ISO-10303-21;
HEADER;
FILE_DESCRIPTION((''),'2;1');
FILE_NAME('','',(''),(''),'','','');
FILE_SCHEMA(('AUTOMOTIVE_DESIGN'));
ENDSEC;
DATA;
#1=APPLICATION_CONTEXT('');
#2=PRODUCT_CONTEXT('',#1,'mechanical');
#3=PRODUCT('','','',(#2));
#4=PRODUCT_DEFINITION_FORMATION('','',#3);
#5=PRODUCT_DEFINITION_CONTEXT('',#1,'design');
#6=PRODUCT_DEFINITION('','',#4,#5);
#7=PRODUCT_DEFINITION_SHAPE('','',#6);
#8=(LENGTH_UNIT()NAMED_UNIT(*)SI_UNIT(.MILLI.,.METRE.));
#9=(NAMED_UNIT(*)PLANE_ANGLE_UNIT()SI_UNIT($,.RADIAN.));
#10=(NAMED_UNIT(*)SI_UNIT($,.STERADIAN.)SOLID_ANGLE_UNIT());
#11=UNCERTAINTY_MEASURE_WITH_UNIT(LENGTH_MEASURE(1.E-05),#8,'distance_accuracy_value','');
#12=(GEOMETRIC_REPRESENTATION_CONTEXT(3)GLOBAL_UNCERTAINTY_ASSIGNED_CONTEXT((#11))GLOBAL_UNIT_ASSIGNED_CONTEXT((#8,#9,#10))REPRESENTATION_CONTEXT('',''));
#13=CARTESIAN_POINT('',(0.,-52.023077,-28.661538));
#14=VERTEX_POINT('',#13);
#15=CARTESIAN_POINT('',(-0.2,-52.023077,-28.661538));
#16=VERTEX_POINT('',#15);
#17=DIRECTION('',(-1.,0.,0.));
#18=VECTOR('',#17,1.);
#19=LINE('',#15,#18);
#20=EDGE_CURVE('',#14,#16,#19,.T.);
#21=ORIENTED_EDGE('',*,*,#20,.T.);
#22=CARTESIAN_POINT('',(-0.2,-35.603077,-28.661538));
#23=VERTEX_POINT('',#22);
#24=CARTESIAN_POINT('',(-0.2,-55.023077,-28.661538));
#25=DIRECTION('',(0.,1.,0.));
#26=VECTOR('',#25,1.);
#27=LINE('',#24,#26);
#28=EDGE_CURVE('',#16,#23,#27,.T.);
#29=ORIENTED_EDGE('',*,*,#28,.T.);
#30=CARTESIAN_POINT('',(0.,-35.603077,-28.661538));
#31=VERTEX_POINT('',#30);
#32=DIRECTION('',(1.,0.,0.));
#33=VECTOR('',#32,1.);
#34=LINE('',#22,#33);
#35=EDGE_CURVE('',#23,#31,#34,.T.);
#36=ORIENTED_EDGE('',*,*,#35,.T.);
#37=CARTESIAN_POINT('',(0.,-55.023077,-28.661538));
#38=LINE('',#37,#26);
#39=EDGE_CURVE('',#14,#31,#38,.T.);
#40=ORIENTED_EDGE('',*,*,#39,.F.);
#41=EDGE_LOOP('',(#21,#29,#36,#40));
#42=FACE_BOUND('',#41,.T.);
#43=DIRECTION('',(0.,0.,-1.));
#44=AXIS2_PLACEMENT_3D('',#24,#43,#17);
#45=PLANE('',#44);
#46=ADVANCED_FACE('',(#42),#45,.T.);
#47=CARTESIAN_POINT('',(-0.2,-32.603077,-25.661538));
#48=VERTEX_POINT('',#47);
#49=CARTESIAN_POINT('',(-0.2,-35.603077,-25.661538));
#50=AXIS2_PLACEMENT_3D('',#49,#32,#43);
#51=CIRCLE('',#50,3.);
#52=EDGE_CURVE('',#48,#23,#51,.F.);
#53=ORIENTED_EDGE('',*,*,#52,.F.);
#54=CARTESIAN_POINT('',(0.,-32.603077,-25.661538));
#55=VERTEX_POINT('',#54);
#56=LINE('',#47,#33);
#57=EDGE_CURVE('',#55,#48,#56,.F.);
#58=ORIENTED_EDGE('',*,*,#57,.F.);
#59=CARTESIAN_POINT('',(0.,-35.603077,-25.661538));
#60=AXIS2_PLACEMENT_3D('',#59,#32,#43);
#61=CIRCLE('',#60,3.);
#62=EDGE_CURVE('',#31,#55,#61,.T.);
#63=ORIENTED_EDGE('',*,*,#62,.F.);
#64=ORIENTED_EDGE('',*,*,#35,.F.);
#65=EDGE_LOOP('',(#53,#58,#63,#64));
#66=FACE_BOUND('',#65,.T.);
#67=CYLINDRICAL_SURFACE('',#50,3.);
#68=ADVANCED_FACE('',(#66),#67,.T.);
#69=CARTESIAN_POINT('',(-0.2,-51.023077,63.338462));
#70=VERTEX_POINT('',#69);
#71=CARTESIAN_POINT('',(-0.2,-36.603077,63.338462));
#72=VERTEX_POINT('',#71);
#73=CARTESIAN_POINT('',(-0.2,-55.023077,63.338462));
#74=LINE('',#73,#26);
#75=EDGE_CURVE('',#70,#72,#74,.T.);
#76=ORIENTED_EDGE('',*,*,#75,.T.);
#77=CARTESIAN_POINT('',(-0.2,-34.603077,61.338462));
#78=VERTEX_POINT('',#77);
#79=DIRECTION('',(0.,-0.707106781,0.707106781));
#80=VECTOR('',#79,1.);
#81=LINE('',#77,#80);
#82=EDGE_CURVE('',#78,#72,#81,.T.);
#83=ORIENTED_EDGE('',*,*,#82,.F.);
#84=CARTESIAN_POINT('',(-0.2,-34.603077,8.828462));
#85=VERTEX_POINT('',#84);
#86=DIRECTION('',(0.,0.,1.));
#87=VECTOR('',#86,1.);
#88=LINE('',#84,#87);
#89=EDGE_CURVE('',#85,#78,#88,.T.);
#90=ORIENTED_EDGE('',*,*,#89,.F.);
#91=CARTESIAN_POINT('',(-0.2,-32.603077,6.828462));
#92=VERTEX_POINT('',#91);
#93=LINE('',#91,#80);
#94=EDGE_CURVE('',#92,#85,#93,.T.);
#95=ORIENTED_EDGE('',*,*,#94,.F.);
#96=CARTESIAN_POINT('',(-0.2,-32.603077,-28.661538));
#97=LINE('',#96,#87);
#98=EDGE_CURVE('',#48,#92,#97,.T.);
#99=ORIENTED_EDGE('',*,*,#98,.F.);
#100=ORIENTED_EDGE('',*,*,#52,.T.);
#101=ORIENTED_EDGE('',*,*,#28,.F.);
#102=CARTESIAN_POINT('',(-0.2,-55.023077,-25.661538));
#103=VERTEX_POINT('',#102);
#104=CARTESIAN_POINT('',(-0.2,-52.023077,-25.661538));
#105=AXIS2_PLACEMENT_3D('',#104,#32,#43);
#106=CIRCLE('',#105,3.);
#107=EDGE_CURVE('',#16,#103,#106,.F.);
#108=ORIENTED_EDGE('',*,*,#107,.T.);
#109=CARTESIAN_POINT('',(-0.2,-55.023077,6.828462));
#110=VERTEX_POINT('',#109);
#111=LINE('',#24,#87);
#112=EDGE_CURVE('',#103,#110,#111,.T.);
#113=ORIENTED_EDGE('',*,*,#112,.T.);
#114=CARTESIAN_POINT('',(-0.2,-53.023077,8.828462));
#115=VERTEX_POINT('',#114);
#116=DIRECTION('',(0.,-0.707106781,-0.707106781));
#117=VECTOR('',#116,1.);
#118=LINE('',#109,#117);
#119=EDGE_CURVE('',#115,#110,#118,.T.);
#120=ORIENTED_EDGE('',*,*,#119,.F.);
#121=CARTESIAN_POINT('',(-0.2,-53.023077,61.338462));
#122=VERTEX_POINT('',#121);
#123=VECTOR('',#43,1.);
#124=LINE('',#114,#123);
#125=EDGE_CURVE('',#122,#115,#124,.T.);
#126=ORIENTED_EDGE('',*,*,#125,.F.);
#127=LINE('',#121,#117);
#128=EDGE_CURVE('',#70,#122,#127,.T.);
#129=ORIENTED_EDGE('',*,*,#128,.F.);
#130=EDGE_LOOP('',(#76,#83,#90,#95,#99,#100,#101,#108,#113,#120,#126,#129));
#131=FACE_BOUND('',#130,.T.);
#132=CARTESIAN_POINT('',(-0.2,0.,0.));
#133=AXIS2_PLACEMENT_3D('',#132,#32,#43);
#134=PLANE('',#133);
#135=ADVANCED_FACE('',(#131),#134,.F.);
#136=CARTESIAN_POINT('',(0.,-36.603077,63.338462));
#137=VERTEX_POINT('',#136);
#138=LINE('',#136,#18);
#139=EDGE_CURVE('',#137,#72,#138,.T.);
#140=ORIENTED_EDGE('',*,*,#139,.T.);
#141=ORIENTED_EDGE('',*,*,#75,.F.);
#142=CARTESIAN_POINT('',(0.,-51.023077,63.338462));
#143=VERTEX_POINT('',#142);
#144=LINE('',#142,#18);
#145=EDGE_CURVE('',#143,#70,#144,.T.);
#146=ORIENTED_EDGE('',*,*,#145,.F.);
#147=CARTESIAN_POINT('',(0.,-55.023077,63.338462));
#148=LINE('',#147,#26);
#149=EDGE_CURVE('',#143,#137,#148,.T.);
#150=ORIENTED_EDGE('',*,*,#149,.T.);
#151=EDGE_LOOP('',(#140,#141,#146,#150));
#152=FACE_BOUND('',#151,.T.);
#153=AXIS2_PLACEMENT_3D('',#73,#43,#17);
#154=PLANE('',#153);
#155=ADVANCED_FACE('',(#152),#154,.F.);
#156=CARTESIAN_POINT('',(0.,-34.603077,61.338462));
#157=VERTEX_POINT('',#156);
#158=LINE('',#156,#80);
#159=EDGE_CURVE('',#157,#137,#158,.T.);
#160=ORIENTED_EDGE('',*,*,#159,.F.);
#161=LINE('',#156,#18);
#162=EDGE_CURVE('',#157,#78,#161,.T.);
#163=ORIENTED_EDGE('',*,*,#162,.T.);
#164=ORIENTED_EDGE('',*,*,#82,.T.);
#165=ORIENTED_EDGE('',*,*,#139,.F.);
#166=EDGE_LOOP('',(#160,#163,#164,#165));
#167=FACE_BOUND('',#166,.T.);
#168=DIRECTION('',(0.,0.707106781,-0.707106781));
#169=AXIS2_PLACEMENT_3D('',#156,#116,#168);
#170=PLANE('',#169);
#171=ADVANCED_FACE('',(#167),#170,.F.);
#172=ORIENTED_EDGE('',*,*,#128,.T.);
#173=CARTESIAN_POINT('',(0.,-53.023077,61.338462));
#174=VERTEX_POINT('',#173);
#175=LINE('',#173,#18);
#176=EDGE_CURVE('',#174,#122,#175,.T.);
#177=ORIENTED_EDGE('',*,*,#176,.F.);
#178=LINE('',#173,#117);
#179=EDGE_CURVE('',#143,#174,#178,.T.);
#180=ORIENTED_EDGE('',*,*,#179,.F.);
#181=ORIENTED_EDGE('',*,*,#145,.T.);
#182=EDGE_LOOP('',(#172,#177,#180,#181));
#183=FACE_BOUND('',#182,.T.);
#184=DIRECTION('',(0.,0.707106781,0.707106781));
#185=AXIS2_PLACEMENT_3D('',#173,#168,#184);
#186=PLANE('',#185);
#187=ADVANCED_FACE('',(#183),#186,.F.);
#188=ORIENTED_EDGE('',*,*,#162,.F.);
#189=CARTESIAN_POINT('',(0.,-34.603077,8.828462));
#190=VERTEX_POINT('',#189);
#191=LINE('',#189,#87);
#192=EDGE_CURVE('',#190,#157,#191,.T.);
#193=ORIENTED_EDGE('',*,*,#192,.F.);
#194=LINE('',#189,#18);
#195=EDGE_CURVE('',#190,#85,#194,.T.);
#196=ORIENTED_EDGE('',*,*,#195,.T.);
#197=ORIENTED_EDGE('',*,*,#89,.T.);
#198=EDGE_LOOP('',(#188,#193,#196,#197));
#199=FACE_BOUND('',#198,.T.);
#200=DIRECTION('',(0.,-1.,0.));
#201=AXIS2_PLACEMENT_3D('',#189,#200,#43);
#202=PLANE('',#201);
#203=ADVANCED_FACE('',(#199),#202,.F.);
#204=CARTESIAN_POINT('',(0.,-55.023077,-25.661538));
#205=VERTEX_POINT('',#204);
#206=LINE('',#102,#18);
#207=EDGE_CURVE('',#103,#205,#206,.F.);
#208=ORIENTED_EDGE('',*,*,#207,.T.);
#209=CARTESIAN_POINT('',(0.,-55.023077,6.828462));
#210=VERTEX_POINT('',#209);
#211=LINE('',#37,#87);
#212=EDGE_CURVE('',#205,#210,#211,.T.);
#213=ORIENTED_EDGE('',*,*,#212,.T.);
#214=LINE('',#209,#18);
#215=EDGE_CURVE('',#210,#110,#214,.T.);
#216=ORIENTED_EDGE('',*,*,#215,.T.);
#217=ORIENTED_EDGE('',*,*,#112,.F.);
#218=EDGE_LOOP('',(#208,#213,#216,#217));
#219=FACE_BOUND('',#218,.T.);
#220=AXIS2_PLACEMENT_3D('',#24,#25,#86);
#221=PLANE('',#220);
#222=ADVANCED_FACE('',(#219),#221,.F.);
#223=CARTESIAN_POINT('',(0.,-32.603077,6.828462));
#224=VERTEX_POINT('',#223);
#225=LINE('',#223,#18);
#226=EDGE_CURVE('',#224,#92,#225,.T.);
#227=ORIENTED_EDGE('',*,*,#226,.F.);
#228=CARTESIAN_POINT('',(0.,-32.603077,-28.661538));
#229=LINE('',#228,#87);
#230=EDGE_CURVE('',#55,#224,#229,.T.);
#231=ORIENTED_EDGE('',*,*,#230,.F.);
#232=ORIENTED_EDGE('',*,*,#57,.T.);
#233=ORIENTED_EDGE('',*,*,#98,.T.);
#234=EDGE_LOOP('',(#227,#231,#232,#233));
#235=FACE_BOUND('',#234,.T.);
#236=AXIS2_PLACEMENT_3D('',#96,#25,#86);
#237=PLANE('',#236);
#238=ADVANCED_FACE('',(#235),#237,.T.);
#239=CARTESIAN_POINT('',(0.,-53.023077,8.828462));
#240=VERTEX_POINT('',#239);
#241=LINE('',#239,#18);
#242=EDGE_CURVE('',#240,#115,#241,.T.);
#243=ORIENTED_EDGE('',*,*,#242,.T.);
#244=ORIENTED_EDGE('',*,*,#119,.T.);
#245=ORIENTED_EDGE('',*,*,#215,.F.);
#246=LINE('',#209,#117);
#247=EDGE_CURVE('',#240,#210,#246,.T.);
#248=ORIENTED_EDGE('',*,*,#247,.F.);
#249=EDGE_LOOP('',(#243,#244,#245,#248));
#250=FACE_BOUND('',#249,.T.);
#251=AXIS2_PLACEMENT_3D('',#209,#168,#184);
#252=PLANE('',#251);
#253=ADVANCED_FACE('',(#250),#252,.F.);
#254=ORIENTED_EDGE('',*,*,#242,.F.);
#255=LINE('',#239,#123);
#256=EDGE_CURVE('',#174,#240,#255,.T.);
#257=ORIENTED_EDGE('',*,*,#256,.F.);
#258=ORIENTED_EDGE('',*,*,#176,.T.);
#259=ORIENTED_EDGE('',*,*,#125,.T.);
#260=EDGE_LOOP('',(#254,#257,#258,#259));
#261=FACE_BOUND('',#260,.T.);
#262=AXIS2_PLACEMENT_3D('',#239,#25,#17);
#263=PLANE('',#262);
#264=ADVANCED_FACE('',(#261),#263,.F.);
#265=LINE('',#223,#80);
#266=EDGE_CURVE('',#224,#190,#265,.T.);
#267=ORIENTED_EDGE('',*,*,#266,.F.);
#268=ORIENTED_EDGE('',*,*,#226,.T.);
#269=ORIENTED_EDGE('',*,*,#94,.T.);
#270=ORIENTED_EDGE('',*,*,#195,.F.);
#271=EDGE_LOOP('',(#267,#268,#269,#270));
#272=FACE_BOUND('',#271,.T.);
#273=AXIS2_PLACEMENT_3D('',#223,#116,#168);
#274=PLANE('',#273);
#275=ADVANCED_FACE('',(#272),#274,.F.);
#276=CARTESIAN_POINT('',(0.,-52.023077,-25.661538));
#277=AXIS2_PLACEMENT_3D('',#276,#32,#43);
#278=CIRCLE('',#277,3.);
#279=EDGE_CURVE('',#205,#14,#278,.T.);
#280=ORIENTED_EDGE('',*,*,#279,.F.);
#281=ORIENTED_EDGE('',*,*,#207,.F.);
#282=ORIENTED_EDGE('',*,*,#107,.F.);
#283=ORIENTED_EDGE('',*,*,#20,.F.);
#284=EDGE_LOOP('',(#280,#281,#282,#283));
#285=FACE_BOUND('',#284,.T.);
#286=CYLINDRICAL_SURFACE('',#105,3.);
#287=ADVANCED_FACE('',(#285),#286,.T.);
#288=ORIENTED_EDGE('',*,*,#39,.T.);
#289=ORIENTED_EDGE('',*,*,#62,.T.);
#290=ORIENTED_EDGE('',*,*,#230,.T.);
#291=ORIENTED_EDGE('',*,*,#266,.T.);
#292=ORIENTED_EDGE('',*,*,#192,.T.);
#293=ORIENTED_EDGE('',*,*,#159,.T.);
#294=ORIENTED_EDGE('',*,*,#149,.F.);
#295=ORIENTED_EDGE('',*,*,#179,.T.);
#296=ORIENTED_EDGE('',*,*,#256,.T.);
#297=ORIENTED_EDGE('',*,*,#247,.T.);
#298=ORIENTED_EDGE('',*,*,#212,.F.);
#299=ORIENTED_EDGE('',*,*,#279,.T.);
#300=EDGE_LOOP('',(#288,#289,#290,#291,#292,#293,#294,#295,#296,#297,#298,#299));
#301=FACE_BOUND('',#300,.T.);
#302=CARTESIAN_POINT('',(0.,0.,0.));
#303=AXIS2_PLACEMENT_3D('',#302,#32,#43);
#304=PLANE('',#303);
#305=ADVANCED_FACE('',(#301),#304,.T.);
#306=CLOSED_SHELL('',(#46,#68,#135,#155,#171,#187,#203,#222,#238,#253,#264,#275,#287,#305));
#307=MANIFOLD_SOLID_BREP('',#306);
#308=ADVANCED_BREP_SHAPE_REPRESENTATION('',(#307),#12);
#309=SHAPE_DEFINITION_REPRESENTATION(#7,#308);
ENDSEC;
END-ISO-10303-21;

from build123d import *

# Parameters (mm, degrees)
SKETCH2_W           = 22.42
SKETCH2_H           = 92
BOSS_EXTRUDE2_DEPTH = 0.2
FILLET4_R           = 3
FILLET7_R           = 3
SKETCH4_W           = 2
SKETCH4_H           = 54.51
CUT_EXTRUDE1_DEPTH  = 0.2
SKETCH5_W           = 2
SKETCH5_H           = 54.51
CUT_EXTRUDE2_DEPTH  = 0.2
CUT_EXTRUDE3_DEPTH  = 0.2
CUT_EXTRUDE4_DEPTH  = 0.2
CUT_EXTRUDE7_DEPTH  = 0.2
CUT_EXTRUDE8_DEPTH  = 0.2


with BuildPart() as part:
    # Sketch2 → Boss-Extrude2 (new body)
    with BuildSketch(Plane(origin=(0, 0, 0), x_dir=(0, 1, 0), z_dir=(-1, 0, 0))):
        with Locations((-43.813076923, -17.338461538)):
            Rectangle(SKETCH2_W, SKETCH2_H)
    extrude(amount=BOSS_EXTRUDE2_DEPTH)

    # Fillet4
    fillet4_edges = [part.edges().sort_by_distance(p)[0] for p in [
        (-0.1, -55.023076923, -28.661538462),
    ]]
    fillet(fillet4_edges, radius=FILLET4_R)

    # Fillet7
    fillet7_edges = [part.edges().sort_by_distance(p)[0] for p in [
        (-0.1, -32.603076923, -28.661538462),
    ]]
    fillet(fillet7_edges, radius=FILLET7_R)

    # Sketch4 → Cut-Extrude1 (cut)
    with BuildSketch(Plane(origin=(-0.2, 0, 0), x_dir=(0, 1, 0), z_dir=(-1, 0, 0))):
        with Locations((-54.023076923, -36.083461538)):
            Rectangle(SKETCH4_W, SKETCH4_H)
    extrude(amount=-CUT_EXTRUDE1_DEPTH, mode=Mode.SUBTRACT)

    # Sketch5 → Cut-Extrude2 (cut)
    with BuildSketch(Plane(origin=(-0.2, 0, 0), x_dir=(0, 1, 0), z_dir=(-1, 0, 0))):
        with Locations((-33.603076923, -36.083461538)):
            Rectangle(SKETCH5_W, SKETCH5_H)
    extrude(amount=-CUT_EXTRUDE2_DEPTH, mode=Mode.SUBTRACT)

    # Sketch6 → Cut-Extrude3 (cut)
    with BuildSketch(Plane(origin=(-0.2, 0, 0), x_dir=(0, 1, 0), z_dir=(-1, 0, 0))):
        Polygon((-53.023076923, -63.338461538), (-53.023076923, -61.338461538), (-51.023076923, -63.338461538), align=None)
    extrude(amount=-CUT_EXTRUDE3_DEPTH, mode=Mode.SUBTRACT)

    # Sketch7 → Cut-Extrude4 (cut)
    with BuildSketch(Plane(origin=(-0.2, 0, 0), x_dir=(0, 1, 0), z_dir=(-1, 0, 0))):
        Polygon((-34.603076923, -63.338461538), (-34.603076923, -61.338461538), (-36.603076923, -63.338461538), align=None)
    extrude(amount=-CUT_EXTRUDE4_DEPTH, mode=Mode.SUBTRACT)

    # Sketch8 → Cut-Extrude7 (cut)
    with BuildSketch(Plane(origin=(-0.2, 0, 0), x_dir=(0, 1, 0), z_dir=(-1, 0, 0))):
        Polygon((-53.023076923, -8.828461538), (-55.023076923, -8.828461538), (-55.023076923, -6.828461538), align=None)
    extrude(amount=-CUT_EXTRUDE7_DEPTH, mode=Mode.SUBTRACT)

    # Sketch9 → Cut-Extrude8 (cut)
    with BuildSketch(Plane(origin=(-0.2, 0, 0), x_dir=(0, 1, 0), z_dir=(-1, 0, 0))):
        Polygon((-34.603076923, -8.828461538), (-32.603076923, -8.828461538), (-32.603076923, -6.828461538), align=None)
    extrude(amount=-CUT_EXTRUDE8_DEPTH, mode=Mode.SUBTRACT)


solid = part.part
